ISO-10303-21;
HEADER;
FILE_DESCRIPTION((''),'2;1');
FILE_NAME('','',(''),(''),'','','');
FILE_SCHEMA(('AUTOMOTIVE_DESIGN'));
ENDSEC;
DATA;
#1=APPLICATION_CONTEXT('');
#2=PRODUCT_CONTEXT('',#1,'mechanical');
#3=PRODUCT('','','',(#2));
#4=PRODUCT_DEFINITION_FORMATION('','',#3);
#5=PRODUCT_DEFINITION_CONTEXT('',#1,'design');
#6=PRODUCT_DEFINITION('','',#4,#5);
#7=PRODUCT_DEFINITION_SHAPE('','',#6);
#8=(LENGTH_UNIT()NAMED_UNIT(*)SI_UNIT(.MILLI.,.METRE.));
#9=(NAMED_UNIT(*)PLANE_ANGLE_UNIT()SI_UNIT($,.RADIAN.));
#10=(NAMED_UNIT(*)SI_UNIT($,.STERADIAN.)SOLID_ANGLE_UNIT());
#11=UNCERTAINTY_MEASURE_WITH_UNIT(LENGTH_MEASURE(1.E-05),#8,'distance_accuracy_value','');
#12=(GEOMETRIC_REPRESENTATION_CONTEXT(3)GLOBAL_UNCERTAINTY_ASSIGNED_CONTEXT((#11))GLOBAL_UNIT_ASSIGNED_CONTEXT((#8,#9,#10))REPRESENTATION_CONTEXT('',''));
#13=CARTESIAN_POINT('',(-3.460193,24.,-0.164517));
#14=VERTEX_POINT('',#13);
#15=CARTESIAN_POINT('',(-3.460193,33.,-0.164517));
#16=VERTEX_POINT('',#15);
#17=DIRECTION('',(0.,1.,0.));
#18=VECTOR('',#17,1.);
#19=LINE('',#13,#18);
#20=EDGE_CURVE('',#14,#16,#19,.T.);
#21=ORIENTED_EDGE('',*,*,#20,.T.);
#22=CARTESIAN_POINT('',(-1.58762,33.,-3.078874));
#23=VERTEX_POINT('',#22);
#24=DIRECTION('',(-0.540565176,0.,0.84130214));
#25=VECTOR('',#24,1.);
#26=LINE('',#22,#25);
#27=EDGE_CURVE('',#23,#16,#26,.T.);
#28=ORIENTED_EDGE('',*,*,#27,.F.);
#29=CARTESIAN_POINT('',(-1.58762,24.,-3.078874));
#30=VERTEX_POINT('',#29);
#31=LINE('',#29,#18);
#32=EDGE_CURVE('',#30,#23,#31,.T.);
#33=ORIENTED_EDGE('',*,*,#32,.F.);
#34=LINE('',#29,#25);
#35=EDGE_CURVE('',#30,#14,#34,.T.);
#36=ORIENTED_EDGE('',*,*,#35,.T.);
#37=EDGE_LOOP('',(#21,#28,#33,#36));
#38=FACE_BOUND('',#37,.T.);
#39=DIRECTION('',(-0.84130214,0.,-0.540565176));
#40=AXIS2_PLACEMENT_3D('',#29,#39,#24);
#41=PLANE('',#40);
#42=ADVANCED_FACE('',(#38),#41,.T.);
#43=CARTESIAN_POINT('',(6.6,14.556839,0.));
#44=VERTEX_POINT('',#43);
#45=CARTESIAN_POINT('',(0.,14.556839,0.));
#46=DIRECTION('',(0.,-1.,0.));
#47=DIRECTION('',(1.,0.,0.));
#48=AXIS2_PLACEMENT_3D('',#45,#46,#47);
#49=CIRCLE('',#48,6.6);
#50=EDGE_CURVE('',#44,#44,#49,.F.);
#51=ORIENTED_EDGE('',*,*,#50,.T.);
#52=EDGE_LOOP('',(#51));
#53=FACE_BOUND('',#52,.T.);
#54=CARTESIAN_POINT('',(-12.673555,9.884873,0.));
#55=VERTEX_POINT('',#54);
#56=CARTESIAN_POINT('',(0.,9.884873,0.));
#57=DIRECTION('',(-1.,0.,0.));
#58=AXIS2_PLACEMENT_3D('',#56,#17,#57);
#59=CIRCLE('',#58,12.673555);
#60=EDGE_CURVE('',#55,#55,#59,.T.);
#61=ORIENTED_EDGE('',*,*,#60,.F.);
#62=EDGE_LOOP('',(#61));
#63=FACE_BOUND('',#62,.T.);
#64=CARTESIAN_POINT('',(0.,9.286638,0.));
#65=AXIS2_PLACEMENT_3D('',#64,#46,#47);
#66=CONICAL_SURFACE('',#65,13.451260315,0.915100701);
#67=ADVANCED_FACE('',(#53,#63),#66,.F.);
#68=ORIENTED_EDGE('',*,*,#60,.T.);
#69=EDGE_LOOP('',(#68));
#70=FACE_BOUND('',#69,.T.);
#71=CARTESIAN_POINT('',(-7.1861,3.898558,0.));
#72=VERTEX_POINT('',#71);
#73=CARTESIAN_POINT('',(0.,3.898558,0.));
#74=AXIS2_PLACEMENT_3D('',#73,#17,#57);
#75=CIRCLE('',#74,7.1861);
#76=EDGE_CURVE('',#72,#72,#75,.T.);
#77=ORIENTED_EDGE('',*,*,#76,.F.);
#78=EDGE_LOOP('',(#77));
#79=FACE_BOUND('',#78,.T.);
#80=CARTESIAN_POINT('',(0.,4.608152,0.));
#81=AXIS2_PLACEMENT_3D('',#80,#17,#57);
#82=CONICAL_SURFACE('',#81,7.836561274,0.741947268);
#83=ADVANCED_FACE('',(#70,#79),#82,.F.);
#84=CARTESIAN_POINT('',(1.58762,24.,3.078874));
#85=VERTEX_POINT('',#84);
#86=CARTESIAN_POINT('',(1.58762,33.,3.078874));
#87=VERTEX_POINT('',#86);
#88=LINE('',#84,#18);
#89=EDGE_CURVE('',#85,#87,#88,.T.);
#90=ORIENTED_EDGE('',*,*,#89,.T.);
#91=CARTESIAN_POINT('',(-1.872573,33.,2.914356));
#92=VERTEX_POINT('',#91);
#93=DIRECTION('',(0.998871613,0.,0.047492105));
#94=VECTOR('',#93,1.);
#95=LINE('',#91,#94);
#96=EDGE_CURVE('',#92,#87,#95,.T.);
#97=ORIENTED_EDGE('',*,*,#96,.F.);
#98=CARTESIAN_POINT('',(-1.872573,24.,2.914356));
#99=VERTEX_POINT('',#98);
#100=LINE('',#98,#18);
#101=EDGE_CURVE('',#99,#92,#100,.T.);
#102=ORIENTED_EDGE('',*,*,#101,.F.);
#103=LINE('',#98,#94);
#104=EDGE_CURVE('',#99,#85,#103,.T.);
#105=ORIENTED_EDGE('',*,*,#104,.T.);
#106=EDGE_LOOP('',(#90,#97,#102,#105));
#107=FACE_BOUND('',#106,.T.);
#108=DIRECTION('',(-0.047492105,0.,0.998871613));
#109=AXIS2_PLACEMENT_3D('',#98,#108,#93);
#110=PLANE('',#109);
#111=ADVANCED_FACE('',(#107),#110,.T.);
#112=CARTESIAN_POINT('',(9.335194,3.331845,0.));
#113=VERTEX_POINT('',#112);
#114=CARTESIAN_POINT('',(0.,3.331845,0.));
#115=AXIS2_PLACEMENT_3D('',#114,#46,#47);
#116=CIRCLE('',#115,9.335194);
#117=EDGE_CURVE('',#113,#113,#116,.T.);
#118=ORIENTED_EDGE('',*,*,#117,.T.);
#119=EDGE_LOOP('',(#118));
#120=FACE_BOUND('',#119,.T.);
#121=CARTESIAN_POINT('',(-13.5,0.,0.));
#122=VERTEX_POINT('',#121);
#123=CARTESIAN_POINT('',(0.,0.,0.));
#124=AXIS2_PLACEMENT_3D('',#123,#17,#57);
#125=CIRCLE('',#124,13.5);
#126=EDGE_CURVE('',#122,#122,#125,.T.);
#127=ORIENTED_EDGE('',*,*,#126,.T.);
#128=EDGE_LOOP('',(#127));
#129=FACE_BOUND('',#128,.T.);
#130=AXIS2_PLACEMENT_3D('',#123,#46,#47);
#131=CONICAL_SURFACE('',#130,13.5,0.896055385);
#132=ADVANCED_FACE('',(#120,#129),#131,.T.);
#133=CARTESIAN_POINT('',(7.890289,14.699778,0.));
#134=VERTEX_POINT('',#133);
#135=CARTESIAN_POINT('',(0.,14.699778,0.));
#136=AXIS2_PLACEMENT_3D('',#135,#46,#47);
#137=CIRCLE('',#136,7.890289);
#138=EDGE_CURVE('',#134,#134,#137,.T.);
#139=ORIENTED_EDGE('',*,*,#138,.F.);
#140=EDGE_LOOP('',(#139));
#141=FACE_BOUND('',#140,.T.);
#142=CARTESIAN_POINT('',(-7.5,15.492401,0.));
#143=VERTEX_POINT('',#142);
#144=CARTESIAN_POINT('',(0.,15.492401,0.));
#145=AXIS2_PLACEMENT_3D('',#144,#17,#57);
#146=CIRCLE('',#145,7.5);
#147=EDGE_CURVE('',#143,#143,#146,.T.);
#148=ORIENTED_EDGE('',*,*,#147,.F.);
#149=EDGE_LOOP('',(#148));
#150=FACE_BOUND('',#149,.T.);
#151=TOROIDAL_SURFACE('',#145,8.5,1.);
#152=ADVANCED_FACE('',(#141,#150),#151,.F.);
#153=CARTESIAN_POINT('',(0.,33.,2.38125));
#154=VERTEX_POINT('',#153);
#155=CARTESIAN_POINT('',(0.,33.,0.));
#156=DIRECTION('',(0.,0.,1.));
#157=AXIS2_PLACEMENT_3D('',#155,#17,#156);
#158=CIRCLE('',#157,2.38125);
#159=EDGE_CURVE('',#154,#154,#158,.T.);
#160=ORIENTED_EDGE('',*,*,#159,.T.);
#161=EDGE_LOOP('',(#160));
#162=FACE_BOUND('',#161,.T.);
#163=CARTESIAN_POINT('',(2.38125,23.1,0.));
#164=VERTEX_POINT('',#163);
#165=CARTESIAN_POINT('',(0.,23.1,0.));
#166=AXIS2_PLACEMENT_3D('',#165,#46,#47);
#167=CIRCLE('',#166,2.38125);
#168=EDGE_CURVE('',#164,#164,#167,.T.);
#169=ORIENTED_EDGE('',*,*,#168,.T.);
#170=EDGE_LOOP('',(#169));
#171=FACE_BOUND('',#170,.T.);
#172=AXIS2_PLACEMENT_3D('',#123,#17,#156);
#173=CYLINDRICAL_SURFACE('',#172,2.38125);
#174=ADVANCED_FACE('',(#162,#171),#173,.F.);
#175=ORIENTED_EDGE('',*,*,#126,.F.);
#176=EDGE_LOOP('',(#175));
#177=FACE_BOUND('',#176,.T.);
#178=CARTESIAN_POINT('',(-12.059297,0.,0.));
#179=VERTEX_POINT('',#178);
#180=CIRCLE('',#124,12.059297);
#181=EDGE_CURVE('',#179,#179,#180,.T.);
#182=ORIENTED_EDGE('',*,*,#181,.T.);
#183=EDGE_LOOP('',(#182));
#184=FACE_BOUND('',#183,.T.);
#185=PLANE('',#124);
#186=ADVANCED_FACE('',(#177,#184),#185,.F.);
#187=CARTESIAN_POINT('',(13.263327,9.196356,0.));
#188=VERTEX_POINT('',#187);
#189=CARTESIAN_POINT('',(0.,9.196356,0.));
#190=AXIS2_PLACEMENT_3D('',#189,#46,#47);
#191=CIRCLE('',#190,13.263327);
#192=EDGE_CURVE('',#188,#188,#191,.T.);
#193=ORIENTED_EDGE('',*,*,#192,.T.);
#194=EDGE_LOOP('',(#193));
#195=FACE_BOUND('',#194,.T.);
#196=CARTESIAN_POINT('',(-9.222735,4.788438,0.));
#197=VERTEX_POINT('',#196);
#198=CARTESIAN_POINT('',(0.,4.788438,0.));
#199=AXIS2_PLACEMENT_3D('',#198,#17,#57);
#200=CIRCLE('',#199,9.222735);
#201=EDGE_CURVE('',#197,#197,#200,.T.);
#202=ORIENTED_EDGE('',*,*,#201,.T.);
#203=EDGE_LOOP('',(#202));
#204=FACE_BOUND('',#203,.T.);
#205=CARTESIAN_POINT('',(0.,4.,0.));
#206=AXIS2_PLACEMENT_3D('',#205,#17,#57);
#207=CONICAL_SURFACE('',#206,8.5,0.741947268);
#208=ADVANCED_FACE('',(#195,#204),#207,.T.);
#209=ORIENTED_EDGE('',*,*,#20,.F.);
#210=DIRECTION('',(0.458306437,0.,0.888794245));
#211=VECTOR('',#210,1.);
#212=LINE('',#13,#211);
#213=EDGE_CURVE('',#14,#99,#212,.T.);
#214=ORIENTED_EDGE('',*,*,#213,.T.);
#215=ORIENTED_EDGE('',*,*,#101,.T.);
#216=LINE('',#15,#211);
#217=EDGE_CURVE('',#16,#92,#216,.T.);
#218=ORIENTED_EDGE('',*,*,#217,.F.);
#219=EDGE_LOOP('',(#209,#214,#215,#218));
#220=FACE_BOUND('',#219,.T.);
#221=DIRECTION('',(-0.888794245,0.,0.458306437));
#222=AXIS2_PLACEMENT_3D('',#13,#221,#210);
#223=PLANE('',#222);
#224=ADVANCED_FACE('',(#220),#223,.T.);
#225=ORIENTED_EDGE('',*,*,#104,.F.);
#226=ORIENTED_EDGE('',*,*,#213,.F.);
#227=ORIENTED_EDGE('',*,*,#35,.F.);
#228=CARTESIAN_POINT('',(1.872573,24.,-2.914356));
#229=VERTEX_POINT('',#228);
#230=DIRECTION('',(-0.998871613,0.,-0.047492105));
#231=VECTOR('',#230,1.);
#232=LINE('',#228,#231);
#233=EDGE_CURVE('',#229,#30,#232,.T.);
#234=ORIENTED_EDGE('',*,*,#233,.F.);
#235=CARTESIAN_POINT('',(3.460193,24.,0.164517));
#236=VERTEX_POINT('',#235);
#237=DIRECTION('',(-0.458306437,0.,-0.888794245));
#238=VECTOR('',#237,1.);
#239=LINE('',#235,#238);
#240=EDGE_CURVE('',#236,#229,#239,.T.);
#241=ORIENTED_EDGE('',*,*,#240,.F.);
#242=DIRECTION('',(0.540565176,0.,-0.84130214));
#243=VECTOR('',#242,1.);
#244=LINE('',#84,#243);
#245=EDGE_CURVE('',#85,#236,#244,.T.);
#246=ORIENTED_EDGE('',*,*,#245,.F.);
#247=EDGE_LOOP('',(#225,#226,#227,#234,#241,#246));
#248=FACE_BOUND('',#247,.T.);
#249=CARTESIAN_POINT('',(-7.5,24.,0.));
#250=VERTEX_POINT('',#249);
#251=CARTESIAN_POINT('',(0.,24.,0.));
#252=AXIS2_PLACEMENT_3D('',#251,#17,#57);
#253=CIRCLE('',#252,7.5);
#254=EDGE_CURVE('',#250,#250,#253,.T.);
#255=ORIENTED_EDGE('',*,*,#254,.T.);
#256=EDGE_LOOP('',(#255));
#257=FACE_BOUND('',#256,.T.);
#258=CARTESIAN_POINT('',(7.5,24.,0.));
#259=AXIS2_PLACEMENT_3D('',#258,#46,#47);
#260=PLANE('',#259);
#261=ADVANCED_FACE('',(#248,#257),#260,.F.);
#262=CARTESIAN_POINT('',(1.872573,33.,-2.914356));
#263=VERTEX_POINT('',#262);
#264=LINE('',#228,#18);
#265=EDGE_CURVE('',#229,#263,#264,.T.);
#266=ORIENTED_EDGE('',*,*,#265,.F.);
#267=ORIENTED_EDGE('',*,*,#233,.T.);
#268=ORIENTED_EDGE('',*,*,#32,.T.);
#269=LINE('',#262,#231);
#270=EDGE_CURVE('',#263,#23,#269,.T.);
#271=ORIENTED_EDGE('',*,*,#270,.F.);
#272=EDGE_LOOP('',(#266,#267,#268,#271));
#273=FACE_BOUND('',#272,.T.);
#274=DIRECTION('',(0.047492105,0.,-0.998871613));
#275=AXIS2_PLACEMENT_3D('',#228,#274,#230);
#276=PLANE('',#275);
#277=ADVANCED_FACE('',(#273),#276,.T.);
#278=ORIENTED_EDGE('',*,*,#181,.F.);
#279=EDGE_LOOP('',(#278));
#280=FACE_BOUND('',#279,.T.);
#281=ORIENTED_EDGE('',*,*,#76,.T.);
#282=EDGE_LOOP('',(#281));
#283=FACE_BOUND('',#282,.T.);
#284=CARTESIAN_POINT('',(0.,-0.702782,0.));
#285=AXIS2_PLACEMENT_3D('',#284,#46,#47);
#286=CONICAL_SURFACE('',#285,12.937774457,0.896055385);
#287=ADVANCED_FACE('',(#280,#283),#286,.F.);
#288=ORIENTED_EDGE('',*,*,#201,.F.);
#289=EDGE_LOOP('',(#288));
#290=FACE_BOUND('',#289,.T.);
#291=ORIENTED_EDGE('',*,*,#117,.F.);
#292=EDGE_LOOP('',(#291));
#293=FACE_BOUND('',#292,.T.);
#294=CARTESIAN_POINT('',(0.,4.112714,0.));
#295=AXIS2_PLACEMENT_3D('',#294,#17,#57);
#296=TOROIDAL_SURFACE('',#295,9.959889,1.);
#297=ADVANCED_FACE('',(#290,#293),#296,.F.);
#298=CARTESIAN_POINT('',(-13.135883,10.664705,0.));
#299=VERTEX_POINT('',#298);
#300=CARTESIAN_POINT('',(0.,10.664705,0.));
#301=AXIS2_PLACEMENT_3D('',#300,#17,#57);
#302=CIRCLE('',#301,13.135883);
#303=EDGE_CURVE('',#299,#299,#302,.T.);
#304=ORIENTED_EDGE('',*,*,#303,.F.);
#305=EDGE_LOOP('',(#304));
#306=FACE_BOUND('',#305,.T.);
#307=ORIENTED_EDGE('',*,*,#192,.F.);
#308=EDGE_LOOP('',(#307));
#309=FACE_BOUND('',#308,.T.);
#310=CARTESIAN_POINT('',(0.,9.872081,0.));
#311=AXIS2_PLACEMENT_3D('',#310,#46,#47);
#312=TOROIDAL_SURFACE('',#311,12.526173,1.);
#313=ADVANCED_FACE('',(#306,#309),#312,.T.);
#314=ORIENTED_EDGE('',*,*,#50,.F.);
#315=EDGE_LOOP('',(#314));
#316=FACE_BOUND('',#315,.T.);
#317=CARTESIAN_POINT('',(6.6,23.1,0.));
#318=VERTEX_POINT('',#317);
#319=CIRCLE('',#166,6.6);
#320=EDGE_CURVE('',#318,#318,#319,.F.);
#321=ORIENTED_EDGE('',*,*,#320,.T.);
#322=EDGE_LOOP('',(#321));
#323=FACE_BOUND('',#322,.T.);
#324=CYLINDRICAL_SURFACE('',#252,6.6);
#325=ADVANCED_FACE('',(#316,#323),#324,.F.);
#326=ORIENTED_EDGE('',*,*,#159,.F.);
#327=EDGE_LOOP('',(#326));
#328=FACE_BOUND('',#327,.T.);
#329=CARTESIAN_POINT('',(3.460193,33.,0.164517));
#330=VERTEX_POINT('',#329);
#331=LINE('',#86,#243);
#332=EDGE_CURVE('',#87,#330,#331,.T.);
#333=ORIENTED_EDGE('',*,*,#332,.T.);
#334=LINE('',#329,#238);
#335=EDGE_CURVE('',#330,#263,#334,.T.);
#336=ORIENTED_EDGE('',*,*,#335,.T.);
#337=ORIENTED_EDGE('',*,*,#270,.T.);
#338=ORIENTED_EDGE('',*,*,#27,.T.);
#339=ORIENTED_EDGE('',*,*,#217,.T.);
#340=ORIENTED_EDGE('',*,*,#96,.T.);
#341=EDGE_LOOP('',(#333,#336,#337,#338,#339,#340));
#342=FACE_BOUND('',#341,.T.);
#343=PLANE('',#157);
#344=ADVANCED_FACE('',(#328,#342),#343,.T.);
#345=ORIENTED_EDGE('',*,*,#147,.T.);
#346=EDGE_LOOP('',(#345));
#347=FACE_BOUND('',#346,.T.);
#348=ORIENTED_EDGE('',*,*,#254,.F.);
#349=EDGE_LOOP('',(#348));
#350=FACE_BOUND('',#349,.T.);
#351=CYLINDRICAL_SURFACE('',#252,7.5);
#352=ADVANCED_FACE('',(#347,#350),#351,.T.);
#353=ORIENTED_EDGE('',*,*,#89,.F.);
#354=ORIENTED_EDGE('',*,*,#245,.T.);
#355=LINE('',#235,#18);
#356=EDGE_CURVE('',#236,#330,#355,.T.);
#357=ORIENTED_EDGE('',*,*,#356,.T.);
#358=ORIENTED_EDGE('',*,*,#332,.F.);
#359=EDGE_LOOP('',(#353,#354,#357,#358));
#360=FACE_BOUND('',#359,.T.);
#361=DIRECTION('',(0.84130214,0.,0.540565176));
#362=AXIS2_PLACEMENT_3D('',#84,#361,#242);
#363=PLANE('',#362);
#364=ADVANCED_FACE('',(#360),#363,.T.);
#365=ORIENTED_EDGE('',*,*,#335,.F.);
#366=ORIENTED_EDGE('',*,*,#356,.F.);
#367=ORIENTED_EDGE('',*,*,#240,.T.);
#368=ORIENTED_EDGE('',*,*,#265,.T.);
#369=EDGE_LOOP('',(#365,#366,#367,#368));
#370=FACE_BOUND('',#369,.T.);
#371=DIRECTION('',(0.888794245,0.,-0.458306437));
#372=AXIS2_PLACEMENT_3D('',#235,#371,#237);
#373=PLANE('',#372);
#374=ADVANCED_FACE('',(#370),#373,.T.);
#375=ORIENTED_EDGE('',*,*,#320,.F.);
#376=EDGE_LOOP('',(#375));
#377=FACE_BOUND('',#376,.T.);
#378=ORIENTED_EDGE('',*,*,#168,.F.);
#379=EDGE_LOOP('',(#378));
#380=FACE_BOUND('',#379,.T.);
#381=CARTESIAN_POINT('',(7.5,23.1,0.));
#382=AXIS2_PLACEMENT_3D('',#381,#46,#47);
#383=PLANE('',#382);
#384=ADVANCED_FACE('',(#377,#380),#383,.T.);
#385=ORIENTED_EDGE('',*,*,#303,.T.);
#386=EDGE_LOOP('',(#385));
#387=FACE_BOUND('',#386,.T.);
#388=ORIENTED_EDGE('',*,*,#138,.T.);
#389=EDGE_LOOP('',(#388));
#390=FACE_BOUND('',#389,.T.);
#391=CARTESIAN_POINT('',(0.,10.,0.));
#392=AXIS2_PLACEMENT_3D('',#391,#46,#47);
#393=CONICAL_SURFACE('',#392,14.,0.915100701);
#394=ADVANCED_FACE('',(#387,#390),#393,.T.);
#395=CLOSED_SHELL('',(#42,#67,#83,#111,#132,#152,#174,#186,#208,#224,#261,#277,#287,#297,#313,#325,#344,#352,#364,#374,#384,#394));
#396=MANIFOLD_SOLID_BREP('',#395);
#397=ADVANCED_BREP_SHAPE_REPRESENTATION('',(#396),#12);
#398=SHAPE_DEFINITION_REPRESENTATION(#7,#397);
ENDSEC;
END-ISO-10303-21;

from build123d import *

# Parameters (mm, degrees)
CASCA1_T                 = -0.9
RESSALTO_EXTRUS_O1_DEPTH = 9
FILETE1_R                = 1
ESBO_O3_R                = 2.38125
CORTE_EXTRUS_O1_DEPTH    = 34.0000001
ESQUISSE1_R              = 6.732461852
ENL_V_MAT_EXTRU_1_DEPTH  = 9


with BuildPart() as part:
    # Esboço1 → Revolução1 (revolve)
    with BuildSketch(Plane.XY):
        Polygon((0, 0), (13.5, 0), (8.5, 4), (14, 10), (7.5, 15), (7.5, 24), (0, 24), align=None)
    revolve(axis=Axis((0, 24, 0), (0, -1, 0)))

    # Casca1
    casca1_openings = [part.faces().sort_by_distance(p)[0] for p in [
        (-13.5, 0, 0),
    ]]
    offset(amount=CASCA1_T, openings=casca1_openings, kind=Kind.INTERSECTION)

    # Esboço2 → Ressalto-extrusão1 (add)
    with BuildSketch(Plane(origin=(0, 24, 0), x_dir=(1, 0, 0), z_dir=(0, 1, 0))):
        Polygon((2.496763598, 3.885808136), (-2.11682676, 4.105164771), (-4.613590359, 0.219356636), (-2.496763598, -3.885808136), (2.11682676, -4.105164771), (4.613590359, -0.219356636), align=None)
    extrude(amount=RESSALTO_EXTRUS_O1_DEPTH)

    # Filete1
    filete1_edges = [part.edges().sort_by_distance(p)[0] for p in [
        (-7.5, 15, 0),
        (-14, 10, 0),
        (-8.5, 4, 0),
    ]]
    fillet(filete1_edges, radius=FILETE1_R)

    # Esboço3 → Corte-extrusão1 (cut, through all)
    with BuildSketch(Plane(origin=(0, 33, 0), x_dir=(1, 0, 0), z_dir=(0, 1, 0))):
        Circle(ESBO_O3_R)
    extrude(amount=-CORTE_EXTRUS_O1_DEPTH, mode=Mode.SUBTRACT)

    # Esquisse1 → Enlèv. mat.-Extru.1 (cut)
    with BuildSketch(Plane(origin=(0, 33, 0), x_dir=(1, 0, 0), z_dir=(0, 1, 0))):
        Circle(ESQUISSE1_R)
        Polygon((1.58762007, -3.078873578), (3.460192769, -0.164517477), (1.872572699, 2.914356102), (-1.58762007, 3.078873578), (-3.460192769, 0.164517477), (-1.872572699, -2.914356102), align=None, mode=Mode.SUBTRACT)
    extrude(amount=-ENL_V_MAT_EXTRU_1_DEPTH, mode=Mode.SUBTRACT)


solid = part.part
